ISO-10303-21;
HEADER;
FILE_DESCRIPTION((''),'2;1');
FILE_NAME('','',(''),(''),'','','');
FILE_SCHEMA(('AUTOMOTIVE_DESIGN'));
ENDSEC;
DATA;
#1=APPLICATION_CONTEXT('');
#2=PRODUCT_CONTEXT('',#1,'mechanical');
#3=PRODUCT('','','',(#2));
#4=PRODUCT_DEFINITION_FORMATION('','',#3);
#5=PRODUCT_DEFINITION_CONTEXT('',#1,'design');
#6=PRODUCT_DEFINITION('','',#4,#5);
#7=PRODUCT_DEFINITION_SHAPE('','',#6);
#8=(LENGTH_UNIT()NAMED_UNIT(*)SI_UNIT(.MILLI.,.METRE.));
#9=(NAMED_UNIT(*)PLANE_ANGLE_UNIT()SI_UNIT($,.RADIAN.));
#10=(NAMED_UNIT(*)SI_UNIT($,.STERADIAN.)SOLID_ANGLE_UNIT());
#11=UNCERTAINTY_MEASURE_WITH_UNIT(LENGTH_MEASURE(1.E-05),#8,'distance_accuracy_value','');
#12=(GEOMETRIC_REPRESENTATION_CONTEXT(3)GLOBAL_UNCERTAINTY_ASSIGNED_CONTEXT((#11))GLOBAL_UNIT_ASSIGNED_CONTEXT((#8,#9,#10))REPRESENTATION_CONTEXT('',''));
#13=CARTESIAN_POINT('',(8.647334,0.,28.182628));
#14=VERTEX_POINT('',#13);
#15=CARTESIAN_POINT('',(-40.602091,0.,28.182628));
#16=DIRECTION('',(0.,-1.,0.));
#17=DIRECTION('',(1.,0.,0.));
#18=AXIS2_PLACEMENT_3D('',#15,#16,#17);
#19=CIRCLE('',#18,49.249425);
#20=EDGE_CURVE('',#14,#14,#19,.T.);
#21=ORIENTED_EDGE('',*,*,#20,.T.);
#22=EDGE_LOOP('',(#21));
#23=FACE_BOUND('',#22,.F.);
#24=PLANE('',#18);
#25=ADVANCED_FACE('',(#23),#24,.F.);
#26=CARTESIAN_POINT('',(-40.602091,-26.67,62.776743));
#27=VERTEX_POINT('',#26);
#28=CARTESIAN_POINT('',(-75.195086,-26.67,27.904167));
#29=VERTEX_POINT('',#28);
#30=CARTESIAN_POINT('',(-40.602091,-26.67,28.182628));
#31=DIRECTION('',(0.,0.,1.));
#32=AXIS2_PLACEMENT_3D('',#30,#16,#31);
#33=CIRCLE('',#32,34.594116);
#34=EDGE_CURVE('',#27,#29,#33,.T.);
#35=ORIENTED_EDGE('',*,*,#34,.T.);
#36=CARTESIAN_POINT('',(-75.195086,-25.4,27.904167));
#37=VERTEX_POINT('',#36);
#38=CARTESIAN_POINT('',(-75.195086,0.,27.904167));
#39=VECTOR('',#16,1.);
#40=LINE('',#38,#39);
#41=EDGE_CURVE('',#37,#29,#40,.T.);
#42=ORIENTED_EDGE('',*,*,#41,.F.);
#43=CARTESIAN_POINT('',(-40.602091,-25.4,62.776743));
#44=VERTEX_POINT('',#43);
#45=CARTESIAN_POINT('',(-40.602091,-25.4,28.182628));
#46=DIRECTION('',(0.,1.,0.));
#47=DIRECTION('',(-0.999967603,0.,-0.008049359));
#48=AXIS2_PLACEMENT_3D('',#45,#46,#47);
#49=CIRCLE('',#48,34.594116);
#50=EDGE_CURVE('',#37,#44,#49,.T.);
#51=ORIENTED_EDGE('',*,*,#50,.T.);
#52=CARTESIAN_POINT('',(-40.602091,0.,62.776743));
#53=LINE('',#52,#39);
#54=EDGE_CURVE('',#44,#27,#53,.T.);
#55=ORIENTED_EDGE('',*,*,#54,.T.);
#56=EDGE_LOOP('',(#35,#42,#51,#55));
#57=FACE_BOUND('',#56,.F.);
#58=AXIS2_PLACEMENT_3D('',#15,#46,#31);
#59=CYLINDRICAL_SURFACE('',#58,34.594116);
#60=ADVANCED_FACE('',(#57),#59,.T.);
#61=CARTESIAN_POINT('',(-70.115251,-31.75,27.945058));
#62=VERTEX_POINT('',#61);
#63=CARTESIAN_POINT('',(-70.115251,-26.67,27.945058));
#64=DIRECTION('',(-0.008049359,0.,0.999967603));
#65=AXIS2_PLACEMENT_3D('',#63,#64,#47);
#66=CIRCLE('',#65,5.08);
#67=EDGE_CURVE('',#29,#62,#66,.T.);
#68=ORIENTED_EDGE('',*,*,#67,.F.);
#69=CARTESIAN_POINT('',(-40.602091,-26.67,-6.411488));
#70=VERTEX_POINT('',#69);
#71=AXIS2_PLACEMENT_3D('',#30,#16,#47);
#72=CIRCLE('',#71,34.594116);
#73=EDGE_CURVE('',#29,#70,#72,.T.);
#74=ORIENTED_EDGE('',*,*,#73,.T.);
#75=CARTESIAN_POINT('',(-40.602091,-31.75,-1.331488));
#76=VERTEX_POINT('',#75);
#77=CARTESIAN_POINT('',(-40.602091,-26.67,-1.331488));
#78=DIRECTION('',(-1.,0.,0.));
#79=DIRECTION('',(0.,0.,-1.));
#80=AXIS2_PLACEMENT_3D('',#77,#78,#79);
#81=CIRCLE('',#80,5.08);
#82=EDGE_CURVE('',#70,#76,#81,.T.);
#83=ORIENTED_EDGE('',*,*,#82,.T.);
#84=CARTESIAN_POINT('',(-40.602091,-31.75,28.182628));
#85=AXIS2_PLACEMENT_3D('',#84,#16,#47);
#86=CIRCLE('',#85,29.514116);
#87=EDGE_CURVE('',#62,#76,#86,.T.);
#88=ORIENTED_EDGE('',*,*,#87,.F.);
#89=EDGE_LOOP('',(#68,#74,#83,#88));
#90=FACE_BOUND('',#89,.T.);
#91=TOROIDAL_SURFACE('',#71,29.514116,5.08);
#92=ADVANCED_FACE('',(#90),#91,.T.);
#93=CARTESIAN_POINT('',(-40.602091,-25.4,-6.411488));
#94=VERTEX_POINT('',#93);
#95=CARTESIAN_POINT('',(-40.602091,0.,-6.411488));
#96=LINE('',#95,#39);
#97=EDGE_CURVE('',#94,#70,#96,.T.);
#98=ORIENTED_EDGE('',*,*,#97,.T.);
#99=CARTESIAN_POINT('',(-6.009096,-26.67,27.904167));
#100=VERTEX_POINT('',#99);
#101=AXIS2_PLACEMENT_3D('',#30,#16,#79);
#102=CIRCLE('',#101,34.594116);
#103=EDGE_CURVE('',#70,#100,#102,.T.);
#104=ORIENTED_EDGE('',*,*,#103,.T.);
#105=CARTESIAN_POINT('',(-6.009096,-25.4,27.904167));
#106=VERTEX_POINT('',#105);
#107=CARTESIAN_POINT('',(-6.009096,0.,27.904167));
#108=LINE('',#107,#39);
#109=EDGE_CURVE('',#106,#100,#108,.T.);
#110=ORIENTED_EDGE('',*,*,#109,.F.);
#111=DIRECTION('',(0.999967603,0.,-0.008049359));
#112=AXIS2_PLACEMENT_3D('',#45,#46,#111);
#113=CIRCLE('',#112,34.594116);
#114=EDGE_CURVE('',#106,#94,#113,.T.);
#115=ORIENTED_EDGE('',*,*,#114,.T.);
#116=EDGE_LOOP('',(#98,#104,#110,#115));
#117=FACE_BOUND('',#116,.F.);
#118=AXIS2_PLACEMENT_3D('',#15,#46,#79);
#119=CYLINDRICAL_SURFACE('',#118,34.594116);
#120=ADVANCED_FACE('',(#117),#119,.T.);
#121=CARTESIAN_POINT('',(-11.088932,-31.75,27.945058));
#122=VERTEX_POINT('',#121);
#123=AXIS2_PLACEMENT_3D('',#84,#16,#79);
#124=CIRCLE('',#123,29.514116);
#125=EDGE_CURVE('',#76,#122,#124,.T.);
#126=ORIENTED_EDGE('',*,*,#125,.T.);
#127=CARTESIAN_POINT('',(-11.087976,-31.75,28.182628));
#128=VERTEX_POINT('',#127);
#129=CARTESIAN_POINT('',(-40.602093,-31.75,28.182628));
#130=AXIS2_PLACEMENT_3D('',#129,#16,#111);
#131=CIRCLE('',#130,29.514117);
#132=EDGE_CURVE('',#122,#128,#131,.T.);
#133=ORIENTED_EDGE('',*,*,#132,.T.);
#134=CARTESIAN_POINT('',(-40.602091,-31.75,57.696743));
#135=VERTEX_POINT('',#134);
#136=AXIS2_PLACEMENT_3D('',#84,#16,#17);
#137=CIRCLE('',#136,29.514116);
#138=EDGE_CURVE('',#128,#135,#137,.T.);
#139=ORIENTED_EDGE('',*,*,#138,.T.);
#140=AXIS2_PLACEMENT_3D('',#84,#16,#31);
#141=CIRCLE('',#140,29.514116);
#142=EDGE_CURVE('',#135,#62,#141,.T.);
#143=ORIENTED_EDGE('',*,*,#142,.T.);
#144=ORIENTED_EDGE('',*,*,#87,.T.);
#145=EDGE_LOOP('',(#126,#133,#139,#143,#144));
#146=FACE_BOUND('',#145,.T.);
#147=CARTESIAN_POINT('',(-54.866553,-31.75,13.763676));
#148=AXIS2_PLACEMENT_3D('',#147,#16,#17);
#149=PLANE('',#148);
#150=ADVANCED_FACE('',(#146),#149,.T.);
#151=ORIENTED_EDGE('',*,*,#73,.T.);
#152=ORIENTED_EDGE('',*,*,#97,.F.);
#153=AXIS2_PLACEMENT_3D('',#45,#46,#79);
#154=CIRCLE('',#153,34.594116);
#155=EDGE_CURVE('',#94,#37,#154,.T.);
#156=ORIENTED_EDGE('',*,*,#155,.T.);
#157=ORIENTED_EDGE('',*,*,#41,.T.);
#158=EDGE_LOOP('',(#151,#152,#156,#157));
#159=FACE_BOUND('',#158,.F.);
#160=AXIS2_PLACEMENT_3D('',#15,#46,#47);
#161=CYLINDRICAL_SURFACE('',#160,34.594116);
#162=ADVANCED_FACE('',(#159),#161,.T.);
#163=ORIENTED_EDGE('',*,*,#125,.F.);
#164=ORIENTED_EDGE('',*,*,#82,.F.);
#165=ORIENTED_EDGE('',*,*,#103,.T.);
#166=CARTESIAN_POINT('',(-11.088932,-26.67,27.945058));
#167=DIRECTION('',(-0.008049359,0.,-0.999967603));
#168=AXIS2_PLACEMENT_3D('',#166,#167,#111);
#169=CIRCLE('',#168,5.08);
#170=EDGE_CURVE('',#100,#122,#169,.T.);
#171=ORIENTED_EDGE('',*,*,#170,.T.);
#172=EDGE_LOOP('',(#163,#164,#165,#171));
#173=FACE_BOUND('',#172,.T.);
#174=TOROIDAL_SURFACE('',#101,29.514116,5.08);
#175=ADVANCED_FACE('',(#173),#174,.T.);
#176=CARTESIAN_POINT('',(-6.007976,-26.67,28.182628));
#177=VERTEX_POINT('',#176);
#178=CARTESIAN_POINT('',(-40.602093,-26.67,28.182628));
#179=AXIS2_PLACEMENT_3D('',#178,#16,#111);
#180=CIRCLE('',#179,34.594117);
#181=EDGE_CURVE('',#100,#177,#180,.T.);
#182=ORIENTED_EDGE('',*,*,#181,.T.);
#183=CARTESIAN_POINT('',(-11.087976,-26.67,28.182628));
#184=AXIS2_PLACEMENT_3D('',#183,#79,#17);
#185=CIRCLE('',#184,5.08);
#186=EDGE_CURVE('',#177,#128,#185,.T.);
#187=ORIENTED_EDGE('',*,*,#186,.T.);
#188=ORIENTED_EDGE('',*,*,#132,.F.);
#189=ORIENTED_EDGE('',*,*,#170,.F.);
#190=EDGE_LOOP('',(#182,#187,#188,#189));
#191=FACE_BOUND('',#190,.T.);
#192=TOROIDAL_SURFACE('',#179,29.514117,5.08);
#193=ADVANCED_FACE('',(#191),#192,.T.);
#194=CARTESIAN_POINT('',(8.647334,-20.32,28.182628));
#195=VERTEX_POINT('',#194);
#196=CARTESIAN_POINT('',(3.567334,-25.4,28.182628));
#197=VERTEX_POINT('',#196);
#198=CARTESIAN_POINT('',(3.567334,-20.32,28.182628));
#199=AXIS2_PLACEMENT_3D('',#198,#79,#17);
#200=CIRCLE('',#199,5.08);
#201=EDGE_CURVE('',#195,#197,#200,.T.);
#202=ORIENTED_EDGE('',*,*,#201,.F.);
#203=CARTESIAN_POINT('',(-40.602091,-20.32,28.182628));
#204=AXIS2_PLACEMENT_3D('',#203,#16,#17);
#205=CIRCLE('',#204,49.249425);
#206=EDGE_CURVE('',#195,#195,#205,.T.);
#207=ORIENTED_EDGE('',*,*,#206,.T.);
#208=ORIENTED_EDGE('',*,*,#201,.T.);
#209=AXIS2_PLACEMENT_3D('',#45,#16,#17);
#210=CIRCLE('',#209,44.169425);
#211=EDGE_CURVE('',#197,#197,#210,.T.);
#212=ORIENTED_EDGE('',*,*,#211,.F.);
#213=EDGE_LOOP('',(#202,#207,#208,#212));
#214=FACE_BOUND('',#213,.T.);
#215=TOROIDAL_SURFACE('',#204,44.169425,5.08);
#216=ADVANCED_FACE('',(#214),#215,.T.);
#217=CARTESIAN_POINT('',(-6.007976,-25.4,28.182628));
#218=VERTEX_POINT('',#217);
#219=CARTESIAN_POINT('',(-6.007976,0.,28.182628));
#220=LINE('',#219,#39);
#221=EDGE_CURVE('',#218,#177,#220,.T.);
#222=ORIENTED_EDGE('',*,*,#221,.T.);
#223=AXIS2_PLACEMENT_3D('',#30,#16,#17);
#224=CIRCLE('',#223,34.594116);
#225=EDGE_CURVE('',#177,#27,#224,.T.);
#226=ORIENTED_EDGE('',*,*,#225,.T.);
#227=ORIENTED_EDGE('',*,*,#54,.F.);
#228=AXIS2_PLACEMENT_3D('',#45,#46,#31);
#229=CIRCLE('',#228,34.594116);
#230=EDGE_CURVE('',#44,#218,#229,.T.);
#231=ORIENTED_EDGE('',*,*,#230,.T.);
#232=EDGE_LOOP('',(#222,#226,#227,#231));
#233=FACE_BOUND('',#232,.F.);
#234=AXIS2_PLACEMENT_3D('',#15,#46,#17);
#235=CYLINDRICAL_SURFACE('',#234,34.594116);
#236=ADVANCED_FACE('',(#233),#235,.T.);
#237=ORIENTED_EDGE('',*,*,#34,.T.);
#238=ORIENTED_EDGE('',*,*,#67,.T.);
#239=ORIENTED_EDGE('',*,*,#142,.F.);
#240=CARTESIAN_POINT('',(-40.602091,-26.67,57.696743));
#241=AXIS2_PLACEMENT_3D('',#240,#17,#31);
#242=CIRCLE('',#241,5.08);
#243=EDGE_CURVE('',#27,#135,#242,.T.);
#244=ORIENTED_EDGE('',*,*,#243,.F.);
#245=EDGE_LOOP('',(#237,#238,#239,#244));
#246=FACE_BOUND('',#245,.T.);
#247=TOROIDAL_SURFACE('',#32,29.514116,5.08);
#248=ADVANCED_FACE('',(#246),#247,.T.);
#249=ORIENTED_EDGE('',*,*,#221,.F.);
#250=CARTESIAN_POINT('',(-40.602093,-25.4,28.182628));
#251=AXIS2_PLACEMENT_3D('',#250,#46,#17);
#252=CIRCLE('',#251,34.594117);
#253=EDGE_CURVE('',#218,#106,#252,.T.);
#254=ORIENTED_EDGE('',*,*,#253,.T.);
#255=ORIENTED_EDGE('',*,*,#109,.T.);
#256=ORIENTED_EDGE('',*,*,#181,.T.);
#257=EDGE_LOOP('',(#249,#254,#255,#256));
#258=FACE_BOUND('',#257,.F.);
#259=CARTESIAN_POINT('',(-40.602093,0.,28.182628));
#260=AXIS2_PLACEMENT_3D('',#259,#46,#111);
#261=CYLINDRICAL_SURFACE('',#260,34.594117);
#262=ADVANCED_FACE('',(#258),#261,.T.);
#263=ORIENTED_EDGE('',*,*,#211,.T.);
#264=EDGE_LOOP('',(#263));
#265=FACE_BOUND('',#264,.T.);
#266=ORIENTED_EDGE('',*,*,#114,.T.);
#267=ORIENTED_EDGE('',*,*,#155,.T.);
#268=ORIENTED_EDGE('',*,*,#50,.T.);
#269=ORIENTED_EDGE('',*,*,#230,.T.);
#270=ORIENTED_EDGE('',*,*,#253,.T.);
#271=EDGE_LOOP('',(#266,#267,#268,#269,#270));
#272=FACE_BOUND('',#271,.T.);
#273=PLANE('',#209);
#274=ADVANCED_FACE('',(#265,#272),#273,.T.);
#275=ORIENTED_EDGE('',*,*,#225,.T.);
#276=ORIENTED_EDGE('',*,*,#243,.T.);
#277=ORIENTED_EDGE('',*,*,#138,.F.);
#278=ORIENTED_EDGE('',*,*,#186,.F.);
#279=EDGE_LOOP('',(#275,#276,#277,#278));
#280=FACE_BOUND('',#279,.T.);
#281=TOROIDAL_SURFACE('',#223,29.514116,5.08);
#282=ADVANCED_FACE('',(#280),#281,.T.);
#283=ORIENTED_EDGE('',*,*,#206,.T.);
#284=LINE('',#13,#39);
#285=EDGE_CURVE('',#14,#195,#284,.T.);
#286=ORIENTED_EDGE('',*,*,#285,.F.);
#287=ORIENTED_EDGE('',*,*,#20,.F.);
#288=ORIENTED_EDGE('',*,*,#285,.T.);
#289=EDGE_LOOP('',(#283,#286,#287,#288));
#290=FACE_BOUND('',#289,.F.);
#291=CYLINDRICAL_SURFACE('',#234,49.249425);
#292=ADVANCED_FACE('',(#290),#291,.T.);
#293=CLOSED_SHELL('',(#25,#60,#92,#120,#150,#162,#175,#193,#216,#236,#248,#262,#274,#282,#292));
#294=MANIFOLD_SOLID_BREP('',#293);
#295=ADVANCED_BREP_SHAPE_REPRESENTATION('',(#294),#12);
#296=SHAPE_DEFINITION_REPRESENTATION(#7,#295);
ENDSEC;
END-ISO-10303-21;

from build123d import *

# Parameters (mm, degrees)
F1_DEPTH = 31.75
F0_R     = 49.2494250879
F2_DEPTH = 25.4
F3_R     = 5.08


with BuildPart() as f1:
    # F0 (on Front) → F1 (new body)
    with BuildSketch(Plane.XZ):
        with BuildLine():
            Line((-40.602091343, 27.9041671834), (-75.195086289, 27.9041671834))
            ThreePointArc((-75.195086289, 27.9041671834), (-64.9651755745, 3.6226405346), (-40.602091343, -6.4114880449))
            Line((-40.602091343, -6.4114880449), (-40.602091343, 27.9041671834))
        make_face()
        with BuildLine():
            Line((-40.602091343, 28.1826276332), (-40.602091343, 62.7767433114))
            ThreePointArc((-40.602091343, 62.7767433114), (-65.1620784416, 52.5457118647), (-75.195086289, 27.9041671834))
            Line((-75.195086289, 27.9041671834), (-40.602091343, 27.9041671834))
            Line((-40.602091343, 27.9041671834), (-40.602091343, 28.1826276332))
        make_face()
        with BuildLine():
            ThreePointArc((-6.0090963971, 27.9041671834), (-6.0082558491, 28.0433962806), (-6.0079756649, 28.1826276332))
            ThreePointArc((-6.0079756649, 28.1826276332), (-16.1403575579, 52.6443614184), (-40.602091343, 62.7767433114))
            Line((-40.602091343, 62.7767433114), (-40.602091343, 28.1826276332))
            Line((-40.602091343, 28.1826276332), (-40.602091343, 27.9041671834))
            Line((-40.602091343, 27.9041671834), (-6.0090963971, 27.9041671834))
        make_face()
        with BuildLine():
            ThreePointArc((-40.602091343, -6.4114880449), (-16.2390071116, 3.6226405346), (-6.0090963971, 27.9041671834))
            Line((-6.0090963971, 27.9041671834), (-40.602091343, 27.9041671834))
            Line((-40.602091343, 27.9041671834), (-40.602091343, -6.4114880449))
        make_face()
    extrude(amount=F1_DEPTH)

    # F0 (on Front) → F2 (join)
    with BuildSketch(Plane.XZ):
        with Locations((-40.602091343, 28.1826276332)):
            Circle(F0_R)
        with BuildLine():
            ThreePointArc((-40.602091343, 62.7767433114), (-16.1403575579, 52.6443614184), (-6.0079756649, 28.1826276332))
            ThreePointArc((-6.0079756649, 28.1826276332), (-6.0082558491, 28.0433962806), (-6.0090963971, 27.9041671834))
            ThreePointArc((-6.0090963971, 27.9041671834), (-16.2390071116, 3.6226405346), (-40.602091343, -6.4114880449))
            ThreePointArc((-40.602091343, -6.4114880449), (-64.9651755745, 3.6226405346), (-75.195086289, 27.9041671834))
            ThreePointArc((-75.195086289, 27.9041671834), (-65.1620784416, 52.5457118647), (-40.602091343, 62.7767433114))
        make_face(mode=Mode.SUBTRACT)
    extrude(amount=F2_DEPTH)

    # F3
    f3_edges = [f1.edges().sort_by_distance(p)[0] for p in [
        (-40.602091, -31.75, 62.776743),
        (-89.851516, -25.4, 28.182628),
    ]]
    fillet(f3_edges, radius=F3_R)


solid = f1.part
